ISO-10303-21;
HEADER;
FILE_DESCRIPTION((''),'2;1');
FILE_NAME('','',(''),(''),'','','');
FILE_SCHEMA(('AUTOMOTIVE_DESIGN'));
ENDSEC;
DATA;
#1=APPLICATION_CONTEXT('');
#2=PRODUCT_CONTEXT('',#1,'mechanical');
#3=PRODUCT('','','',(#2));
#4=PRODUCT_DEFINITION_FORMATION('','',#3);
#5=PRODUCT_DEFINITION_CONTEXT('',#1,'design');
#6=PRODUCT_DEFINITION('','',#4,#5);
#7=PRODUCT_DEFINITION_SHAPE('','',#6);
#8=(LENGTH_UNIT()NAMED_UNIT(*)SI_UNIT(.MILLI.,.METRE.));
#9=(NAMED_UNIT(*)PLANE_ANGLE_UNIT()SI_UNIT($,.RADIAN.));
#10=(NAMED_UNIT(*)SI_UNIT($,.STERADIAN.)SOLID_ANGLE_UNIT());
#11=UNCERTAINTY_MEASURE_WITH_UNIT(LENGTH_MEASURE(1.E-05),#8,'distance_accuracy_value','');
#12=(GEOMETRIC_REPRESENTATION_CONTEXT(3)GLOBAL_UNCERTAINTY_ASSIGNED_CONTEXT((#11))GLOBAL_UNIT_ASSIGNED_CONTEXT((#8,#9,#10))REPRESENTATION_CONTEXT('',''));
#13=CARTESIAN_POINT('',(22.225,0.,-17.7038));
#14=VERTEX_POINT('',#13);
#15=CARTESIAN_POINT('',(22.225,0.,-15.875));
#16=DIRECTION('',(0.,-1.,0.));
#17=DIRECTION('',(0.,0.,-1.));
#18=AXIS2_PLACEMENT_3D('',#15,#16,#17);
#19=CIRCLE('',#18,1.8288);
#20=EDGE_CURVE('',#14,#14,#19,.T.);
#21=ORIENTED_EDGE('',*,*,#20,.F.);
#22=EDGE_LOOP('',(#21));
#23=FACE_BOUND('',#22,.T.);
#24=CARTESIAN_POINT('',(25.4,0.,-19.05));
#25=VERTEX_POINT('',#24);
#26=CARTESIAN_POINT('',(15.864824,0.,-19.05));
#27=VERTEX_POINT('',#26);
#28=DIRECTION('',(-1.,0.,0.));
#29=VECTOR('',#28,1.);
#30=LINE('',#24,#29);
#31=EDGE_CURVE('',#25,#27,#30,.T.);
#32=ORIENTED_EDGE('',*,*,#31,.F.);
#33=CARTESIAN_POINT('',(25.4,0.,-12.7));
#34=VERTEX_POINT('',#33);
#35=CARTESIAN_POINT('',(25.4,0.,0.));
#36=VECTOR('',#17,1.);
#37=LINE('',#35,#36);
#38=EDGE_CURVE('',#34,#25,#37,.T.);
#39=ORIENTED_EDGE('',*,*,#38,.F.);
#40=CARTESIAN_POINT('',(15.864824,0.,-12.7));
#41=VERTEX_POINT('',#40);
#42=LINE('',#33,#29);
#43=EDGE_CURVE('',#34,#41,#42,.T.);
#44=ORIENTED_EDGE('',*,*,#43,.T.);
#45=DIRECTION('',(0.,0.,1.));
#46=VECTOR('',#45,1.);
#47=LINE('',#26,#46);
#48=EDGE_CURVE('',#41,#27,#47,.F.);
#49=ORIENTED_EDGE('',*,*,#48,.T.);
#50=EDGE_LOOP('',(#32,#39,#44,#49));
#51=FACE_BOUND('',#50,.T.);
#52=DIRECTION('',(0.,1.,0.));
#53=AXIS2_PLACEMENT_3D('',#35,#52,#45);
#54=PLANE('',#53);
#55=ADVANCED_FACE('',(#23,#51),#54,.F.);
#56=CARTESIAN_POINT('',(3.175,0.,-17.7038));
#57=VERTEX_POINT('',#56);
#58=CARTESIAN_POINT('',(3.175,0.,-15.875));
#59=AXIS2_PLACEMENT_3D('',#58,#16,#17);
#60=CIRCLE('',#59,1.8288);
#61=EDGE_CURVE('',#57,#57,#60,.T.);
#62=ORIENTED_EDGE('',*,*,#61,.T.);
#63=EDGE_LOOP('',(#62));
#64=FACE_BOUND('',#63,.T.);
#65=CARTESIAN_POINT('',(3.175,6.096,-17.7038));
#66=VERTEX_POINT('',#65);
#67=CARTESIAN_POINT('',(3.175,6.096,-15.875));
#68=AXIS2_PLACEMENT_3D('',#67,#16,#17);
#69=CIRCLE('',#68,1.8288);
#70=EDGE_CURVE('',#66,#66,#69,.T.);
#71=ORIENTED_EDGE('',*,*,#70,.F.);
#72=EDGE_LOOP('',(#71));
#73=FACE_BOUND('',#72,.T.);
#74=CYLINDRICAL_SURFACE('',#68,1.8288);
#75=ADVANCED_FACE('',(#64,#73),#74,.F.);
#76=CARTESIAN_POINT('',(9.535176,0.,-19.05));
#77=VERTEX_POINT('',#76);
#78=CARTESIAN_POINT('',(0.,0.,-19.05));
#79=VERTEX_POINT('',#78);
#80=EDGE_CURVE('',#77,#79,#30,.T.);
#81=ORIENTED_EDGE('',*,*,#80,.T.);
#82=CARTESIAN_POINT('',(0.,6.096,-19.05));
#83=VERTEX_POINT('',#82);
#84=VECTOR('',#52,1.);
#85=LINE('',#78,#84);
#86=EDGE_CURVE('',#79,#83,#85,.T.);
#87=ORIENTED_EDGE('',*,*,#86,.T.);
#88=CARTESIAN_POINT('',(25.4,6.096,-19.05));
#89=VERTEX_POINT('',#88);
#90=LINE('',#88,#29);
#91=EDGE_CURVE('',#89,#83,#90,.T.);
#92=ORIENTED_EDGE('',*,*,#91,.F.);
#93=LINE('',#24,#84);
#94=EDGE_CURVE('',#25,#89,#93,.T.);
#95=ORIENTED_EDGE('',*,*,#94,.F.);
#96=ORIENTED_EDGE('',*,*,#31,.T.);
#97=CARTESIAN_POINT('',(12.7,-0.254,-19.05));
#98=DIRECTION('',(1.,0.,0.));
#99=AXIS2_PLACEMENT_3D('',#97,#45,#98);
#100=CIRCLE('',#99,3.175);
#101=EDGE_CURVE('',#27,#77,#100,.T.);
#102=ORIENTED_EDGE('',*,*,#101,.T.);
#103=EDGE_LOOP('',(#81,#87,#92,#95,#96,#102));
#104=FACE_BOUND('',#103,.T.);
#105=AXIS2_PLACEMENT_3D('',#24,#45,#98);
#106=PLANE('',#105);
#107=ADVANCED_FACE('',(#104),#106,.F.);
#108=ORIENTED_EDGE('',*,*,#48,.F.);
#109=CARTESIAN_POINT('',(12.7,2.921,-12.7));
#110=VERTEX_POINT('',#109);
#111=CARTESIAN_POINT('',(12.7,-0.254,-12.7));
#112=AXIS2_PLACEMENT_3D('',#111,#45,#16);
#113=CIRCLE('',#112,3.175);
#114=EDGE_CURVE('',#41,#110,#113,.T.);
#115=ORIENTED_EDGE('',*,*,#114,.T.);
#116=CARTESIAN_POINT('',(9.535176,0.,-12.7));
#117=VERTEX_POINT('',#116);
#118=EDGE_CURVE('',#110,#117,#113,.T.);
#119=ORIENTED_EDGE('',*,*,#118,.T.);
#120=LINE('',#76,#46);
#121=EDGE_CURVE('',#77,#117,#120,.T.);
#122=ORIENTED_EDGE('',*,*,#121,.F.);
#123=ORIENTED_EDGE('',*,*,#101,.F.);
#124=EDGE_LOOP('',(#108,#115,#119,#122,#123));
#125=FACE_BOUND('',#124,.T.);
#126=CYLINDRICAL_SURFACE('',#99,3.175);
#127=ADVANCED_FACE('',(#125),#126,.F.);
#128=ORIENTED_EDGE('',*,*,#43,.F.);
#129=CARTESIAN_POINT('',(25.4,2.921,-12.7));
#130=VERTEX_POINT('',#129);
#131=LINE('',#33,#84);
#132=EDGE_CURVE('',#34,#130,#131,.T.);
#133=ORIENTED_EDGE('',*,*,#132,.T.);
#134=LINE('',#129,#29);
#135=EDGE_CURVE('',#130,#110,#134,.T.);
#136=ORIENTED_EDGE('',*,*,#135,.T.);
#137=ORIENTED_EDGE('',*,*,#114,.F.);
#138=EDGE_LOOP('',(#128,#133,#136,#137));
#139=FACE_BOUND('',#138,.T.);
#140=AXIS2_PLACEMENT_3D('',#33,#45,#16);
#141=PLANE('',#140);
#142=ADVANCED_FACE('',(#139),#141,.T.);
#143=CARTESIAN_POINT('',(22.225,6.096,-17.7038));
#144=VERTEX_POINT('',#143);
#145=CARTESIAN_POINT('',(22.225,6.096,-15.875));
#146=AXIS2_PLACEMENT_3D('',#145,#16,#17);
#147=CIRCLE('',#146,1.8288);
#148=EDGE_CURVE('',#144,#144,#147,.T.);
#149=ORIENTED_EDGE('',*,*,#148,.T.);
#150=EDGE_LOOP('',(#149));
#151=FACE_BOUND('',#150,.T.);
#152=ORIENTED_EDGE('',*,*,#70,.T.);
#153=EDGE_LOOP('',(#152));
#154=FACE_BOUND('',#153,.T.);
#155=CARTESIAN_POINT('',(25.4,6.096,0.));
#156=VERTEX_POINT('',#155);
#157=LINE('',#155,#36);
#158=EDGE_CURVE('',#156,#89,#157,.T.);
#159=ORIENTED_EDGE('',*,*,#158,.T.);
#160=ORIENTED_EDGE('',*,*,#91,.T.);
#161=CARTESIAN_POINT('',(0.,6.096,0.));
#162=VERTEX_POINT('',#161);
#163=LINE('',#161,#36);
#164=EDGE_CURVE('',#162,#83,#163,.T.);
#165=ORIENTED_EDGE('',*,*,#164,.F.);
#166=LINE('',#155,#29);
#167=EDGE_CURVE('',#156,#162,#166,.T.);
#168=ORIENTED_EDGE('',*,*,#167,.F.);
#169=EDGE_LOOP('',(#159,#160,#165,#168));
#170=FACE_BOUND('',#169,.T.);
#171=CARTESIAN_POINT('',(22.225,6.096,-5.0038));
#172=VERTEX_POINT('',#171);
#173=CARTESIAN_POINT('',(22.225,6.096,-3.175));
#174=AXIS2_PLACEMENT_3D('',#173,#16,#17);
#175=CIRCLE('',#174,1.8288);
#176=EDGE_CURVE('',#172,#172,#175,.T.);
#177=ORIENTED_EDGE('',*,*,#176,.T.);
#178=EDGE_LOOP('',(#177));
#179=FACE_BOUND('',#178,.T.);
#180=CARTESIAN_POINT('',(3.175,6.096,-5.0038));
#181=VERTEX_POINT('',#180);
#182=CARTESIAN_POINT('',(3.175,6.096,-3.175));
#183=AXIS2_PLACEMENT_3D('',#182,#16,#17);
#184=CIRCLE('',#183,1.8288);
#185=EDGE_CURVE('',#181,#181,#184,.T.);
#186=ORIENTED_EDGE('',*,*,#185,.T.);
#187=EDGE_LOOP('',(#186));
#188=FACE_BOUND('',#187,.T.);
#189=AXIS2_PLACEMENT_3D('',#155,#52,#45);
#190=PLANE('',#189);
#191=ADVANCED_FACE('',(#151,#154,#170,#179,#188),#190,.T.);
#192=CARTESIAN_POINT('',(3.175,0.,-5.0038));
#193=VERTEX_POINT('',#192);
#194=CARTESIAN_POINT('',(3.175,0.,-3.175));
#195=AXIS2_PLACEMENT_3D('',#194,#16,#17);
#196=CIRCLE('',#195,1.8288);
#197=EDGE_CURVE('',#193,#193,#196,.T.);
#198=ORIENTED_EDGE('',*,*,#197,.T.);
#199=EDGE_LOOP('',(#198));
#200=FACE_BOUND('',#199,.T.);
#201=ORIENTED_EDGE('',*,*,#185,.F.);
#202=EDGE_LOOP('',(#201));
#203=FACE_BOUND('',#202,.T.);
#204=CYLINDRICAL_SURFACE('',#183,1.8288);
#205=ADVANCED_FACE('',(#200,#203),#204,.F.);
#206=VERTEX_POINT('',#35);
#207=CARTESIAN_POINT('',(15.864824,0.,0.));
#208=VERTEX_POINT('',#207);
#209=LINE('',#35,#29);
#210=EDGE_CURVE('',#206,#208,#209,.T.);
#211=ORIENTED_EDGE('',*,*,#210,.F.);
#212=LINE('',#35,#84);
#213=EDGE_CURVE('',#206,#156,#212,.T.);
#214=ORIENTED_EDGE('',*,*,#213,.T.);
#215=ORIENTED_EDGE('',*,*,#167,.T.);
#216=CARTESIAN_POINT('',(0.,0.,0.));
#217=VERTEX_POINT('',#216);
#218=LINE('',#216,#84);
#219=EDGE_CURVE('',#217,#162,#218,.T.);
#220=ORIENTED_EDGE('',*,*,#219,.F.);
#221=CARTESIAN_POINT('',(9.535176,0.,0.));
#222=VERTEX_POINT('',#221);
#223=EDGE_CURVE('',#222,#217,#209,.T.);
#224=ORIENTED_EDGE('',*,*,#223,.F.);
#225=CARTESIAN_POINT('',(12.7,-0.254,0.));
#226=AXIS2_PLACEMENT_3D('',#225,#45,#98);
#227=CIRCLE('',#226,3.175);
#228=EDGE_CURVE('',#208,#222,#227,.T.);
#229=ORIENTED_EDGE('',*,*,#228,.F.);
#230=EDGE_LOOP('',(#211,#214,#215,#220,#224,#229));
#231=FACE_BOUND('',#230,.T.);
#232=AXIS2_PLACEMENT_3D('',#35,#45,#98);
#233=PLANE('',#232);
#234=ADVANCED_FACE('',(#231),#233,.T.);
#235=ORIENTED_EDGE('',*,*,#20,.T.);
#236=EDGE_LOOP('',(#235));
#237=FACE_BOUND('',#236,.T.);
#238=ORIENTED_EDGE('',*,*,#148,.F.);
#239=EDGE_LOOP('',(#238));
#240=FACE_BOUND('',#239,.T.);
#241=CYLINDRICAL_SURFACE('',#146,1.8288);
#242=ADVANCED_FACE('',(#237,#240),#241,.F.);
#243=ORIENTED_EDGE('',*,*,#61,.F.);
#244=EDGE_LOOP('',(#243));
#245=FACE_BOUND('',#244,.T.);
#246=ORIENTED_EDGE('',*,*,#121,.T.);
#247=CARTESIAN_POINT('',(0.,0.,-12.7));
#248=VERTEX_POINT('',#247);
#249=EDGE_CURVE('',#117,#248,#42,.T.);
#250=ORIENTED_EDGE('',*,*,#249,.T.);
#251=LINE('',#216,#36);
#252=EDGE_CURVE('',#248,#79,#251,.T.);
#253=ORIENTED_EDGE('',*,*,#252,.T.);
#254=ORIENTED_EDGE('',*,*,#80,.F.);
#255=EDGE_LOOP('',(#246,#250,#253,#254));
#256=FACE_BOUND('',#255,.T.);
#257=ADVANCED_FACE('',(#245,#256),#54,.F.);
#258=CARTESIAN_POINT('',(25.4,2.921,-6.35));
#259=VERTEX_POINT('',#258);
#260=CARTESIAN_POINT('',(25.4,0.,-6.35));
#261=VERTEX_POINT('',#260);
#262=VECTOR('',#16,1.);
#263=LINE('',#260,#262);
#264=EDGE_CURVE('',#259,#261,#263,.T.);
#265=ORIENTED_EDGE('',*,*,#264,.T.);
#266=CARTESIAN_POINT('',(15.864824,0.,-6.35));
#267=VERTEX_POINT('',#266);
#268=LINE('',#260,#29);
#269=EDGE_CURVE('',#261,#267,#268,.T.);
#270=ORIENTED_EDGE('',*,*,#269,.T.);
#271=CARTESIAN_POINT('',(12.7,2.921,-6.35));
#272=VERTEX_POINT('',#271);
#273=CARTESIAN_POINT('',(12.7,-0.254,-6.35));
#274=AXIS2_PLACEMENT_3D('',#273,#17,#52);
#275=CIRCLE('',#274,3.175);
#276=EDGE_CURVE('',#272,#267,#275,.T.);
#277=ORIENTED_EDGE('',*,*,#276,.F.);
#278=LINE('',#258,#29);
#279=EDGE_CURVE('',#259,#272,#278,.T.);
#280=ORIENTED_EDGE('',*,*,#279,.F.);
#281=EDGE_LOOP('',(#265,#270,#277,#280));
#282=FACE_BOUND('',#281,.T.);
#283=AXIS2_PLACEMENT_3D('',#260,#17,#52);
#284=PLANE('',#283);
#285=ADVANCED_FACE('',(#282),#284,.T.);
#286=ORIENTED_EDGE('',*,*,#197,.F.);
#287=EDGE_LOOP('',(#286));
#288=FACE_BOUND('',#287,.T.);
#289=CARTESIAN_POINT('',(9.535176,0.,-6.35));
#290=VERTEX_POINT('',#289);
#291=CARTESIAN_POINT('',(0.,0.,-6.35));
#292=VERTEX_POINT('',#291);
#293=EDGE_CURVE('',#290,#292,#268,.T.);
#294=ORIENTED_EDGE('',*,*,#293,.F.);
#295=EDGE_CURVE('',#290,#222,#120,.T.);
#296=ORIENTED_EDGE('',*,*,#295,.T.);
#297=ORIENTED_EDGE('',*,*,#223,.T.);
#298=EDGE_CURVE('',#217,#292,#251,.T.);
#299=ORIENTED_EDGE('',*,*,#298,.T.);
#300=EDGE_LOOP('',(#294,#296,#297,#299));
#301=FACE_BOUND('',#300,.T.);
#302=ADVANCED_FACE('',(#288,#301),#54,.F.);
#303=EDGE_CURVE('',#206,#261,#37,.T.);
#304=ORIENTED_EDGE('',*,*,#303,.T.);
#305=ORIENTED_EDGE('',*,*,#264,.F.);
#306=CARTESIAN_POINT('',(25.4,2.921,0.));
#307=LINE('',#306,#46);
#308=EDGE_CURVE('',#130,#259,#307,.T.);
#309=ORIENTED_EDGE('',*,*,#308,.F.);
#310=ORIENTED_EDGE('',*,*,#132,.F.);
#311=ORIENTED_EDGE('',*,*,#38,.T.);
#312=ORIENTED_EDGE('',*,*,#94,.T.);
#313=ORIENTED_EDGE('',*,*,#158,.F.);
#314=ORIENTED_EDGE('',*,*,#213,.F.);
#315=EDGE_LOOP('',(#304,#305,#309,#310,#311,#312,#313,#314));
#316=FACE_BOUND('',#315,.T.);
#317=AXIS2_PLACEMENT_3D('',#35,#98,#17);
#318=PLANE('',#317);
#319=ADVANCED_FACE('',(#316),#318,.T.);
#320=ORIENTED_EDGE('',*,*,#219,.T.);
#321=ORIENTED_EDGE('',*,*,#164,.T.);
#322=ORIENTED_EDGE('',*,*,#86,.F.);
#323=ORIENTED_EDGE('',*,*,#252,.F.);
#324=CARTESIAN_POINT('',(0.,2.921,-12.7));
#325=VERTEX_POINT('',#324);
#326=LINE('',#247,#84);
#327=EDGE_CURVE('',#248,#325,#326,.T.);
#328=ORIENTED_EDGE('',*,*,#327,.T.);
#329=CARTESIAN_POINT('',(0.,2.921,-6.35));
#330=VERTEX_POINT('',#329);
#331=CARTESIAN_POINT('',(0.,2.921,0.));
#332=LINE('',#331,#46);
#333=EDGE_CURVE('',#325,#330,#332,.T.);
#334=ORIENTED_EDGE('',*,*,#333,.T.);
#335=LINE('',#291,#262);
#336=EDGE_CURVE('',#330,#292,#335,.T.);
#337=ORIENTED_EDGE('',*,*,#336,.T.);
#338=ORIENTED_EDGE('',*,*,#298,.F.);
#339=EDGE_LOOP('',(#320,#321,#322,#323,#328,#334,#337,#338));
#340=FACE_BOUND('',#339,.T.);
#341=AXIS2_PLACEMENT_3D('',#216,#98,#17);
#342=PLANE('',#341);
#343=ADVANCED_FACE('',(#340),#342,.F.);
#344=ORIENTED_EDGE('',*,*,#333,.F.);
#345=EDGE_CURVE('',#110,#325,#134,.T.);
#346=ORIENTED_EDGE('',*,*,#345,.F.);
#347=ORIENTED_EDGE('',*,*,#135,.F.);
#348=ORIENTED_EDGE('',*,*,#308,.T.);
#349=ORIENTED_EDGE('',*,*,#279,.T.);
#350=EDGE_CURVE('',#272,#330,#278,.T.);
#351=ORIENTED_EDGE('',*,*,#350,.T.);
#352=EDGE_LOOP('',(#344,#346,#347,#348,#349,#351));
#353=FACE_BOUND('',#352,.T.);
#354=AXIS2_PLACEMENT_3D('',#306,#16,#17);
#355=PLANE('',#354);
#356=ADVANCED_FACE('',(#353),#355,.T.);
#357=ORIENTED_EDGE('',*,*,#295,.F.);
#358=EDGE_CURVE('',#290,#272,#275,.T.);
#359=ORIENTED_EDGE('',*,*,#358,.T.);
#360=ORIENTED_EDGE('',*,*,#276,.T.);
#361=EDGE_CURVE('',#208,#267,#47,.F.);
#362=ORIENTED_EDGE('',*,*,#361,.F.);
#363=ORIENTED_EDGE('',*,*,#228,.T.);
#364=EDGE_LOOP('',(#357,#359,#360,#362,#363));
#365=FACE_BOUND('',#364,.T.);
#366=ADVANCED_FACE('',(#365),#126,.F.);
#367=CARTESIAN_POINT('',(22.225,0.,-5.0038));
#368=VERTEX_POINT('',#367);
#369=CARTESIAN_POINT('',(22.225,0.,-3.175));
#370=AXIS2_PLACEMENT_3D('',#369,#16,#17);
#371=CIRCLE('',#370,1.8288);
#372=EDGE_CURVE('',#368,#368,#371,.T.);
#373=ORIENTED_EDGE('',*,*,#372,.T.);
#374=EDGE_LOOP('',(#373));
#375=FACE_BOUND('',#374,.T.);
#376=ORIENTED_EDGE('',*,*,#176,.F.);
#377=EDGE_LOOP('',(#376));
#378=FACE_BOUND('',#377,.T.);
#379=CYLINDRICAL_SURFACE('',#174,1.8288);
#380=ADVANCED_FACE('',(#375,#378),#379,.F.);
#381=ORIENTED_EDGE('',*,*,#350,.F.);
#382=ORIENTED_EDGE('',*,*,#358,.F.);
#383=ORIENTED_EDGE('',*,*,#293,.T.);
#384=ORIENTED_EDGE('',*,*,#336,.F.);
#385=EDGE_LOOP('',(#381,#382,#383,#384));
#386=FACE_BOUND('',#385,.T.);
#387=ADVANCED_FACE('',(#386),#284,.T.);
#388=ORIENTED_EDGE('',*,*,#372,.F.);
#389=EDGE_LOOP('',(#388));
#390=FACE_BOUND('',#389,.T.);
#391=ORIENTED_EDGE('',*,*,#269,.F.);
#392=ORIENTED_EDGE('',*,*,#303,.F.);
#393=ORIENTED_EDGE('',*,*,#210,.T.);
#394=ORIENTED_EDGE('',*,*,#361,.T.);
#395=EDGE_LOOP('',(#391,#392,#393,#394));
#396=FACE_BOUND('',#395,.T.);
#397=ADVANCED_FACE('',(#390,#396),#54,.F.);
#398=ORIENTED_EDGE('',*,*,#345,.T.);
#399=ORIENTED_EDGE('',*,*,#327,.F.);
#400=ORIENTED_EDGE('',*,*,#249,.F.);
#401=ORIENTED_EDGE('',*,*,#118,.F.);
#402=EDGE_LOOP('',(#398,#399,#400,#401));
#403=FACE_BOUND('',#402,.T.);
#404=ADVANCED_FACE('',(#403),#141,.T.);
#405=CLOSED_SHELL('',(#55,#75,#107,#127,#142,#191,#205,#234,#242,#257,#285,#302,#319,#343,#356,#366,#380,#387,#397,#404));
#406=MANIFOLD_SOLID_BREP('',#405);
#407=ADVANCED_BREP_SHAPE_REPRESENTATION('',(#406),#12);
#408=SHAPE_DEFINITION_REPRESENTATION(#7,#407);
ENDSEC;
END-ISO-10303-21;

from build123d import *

# Parameters (mm, degrees)
BOSS_EXTRUDE1_DEPTH = 25.4
SKETCH2_R           = 3.175
CUT_EXTRUDE2_DEPTH  = 20.05
SKETCH4_R           = 1.8288
CUT_EXTRUDE3_DEPTH  = 7.096


with BuildPart() as part:
    # Sketch1 → Boss-Extrude1 (new body)
    with BuildSketch(Plane(origin=(0, 0, 0), x_dir=(0, 0, -1), z_dir=(1, 0, 0))):
        Polygon((0, 6.096), (0, 0), (6.35, 0), (6.35, 2.921), (12.7, 2.921), (12.7, 0), (19.05, 0), (19.05, 6.096), align=None)
    extrude(amount=BOSS_EXTRUDE1_DEPTH)

    # Sketch2 → Cut-Extrude2 (cut, through all)
    with BuildSketch(Plane.XY):
        with Locations((12.7, -0.254)):
            Circle(SKETCH2_R)
    extrude(amount=-CUT_EXTRUDE2_DEPTH, mode=Mode.SUBTRACT)

    # Sketch4 → Cut-Extrude3 (cut, through all)
    with BuildSketch(Plane.XZ):
        with Locations((3.175, -3.175)):
            Circle(SKETCH4_R)
        with Locations((3.175, -15.875)):
            Circle(SKETCH4_R)
        with Locations((22.225, -3.175)):
            Circle(SKETCH4_R)
        with Locations((22.225, -15.875)):
            Circle(SKETCH4_R)
    extrude(amount=-CUT_EXTRUDE3_DEPTH, mode=Mode.SUBTRACT)


solid = part.part
